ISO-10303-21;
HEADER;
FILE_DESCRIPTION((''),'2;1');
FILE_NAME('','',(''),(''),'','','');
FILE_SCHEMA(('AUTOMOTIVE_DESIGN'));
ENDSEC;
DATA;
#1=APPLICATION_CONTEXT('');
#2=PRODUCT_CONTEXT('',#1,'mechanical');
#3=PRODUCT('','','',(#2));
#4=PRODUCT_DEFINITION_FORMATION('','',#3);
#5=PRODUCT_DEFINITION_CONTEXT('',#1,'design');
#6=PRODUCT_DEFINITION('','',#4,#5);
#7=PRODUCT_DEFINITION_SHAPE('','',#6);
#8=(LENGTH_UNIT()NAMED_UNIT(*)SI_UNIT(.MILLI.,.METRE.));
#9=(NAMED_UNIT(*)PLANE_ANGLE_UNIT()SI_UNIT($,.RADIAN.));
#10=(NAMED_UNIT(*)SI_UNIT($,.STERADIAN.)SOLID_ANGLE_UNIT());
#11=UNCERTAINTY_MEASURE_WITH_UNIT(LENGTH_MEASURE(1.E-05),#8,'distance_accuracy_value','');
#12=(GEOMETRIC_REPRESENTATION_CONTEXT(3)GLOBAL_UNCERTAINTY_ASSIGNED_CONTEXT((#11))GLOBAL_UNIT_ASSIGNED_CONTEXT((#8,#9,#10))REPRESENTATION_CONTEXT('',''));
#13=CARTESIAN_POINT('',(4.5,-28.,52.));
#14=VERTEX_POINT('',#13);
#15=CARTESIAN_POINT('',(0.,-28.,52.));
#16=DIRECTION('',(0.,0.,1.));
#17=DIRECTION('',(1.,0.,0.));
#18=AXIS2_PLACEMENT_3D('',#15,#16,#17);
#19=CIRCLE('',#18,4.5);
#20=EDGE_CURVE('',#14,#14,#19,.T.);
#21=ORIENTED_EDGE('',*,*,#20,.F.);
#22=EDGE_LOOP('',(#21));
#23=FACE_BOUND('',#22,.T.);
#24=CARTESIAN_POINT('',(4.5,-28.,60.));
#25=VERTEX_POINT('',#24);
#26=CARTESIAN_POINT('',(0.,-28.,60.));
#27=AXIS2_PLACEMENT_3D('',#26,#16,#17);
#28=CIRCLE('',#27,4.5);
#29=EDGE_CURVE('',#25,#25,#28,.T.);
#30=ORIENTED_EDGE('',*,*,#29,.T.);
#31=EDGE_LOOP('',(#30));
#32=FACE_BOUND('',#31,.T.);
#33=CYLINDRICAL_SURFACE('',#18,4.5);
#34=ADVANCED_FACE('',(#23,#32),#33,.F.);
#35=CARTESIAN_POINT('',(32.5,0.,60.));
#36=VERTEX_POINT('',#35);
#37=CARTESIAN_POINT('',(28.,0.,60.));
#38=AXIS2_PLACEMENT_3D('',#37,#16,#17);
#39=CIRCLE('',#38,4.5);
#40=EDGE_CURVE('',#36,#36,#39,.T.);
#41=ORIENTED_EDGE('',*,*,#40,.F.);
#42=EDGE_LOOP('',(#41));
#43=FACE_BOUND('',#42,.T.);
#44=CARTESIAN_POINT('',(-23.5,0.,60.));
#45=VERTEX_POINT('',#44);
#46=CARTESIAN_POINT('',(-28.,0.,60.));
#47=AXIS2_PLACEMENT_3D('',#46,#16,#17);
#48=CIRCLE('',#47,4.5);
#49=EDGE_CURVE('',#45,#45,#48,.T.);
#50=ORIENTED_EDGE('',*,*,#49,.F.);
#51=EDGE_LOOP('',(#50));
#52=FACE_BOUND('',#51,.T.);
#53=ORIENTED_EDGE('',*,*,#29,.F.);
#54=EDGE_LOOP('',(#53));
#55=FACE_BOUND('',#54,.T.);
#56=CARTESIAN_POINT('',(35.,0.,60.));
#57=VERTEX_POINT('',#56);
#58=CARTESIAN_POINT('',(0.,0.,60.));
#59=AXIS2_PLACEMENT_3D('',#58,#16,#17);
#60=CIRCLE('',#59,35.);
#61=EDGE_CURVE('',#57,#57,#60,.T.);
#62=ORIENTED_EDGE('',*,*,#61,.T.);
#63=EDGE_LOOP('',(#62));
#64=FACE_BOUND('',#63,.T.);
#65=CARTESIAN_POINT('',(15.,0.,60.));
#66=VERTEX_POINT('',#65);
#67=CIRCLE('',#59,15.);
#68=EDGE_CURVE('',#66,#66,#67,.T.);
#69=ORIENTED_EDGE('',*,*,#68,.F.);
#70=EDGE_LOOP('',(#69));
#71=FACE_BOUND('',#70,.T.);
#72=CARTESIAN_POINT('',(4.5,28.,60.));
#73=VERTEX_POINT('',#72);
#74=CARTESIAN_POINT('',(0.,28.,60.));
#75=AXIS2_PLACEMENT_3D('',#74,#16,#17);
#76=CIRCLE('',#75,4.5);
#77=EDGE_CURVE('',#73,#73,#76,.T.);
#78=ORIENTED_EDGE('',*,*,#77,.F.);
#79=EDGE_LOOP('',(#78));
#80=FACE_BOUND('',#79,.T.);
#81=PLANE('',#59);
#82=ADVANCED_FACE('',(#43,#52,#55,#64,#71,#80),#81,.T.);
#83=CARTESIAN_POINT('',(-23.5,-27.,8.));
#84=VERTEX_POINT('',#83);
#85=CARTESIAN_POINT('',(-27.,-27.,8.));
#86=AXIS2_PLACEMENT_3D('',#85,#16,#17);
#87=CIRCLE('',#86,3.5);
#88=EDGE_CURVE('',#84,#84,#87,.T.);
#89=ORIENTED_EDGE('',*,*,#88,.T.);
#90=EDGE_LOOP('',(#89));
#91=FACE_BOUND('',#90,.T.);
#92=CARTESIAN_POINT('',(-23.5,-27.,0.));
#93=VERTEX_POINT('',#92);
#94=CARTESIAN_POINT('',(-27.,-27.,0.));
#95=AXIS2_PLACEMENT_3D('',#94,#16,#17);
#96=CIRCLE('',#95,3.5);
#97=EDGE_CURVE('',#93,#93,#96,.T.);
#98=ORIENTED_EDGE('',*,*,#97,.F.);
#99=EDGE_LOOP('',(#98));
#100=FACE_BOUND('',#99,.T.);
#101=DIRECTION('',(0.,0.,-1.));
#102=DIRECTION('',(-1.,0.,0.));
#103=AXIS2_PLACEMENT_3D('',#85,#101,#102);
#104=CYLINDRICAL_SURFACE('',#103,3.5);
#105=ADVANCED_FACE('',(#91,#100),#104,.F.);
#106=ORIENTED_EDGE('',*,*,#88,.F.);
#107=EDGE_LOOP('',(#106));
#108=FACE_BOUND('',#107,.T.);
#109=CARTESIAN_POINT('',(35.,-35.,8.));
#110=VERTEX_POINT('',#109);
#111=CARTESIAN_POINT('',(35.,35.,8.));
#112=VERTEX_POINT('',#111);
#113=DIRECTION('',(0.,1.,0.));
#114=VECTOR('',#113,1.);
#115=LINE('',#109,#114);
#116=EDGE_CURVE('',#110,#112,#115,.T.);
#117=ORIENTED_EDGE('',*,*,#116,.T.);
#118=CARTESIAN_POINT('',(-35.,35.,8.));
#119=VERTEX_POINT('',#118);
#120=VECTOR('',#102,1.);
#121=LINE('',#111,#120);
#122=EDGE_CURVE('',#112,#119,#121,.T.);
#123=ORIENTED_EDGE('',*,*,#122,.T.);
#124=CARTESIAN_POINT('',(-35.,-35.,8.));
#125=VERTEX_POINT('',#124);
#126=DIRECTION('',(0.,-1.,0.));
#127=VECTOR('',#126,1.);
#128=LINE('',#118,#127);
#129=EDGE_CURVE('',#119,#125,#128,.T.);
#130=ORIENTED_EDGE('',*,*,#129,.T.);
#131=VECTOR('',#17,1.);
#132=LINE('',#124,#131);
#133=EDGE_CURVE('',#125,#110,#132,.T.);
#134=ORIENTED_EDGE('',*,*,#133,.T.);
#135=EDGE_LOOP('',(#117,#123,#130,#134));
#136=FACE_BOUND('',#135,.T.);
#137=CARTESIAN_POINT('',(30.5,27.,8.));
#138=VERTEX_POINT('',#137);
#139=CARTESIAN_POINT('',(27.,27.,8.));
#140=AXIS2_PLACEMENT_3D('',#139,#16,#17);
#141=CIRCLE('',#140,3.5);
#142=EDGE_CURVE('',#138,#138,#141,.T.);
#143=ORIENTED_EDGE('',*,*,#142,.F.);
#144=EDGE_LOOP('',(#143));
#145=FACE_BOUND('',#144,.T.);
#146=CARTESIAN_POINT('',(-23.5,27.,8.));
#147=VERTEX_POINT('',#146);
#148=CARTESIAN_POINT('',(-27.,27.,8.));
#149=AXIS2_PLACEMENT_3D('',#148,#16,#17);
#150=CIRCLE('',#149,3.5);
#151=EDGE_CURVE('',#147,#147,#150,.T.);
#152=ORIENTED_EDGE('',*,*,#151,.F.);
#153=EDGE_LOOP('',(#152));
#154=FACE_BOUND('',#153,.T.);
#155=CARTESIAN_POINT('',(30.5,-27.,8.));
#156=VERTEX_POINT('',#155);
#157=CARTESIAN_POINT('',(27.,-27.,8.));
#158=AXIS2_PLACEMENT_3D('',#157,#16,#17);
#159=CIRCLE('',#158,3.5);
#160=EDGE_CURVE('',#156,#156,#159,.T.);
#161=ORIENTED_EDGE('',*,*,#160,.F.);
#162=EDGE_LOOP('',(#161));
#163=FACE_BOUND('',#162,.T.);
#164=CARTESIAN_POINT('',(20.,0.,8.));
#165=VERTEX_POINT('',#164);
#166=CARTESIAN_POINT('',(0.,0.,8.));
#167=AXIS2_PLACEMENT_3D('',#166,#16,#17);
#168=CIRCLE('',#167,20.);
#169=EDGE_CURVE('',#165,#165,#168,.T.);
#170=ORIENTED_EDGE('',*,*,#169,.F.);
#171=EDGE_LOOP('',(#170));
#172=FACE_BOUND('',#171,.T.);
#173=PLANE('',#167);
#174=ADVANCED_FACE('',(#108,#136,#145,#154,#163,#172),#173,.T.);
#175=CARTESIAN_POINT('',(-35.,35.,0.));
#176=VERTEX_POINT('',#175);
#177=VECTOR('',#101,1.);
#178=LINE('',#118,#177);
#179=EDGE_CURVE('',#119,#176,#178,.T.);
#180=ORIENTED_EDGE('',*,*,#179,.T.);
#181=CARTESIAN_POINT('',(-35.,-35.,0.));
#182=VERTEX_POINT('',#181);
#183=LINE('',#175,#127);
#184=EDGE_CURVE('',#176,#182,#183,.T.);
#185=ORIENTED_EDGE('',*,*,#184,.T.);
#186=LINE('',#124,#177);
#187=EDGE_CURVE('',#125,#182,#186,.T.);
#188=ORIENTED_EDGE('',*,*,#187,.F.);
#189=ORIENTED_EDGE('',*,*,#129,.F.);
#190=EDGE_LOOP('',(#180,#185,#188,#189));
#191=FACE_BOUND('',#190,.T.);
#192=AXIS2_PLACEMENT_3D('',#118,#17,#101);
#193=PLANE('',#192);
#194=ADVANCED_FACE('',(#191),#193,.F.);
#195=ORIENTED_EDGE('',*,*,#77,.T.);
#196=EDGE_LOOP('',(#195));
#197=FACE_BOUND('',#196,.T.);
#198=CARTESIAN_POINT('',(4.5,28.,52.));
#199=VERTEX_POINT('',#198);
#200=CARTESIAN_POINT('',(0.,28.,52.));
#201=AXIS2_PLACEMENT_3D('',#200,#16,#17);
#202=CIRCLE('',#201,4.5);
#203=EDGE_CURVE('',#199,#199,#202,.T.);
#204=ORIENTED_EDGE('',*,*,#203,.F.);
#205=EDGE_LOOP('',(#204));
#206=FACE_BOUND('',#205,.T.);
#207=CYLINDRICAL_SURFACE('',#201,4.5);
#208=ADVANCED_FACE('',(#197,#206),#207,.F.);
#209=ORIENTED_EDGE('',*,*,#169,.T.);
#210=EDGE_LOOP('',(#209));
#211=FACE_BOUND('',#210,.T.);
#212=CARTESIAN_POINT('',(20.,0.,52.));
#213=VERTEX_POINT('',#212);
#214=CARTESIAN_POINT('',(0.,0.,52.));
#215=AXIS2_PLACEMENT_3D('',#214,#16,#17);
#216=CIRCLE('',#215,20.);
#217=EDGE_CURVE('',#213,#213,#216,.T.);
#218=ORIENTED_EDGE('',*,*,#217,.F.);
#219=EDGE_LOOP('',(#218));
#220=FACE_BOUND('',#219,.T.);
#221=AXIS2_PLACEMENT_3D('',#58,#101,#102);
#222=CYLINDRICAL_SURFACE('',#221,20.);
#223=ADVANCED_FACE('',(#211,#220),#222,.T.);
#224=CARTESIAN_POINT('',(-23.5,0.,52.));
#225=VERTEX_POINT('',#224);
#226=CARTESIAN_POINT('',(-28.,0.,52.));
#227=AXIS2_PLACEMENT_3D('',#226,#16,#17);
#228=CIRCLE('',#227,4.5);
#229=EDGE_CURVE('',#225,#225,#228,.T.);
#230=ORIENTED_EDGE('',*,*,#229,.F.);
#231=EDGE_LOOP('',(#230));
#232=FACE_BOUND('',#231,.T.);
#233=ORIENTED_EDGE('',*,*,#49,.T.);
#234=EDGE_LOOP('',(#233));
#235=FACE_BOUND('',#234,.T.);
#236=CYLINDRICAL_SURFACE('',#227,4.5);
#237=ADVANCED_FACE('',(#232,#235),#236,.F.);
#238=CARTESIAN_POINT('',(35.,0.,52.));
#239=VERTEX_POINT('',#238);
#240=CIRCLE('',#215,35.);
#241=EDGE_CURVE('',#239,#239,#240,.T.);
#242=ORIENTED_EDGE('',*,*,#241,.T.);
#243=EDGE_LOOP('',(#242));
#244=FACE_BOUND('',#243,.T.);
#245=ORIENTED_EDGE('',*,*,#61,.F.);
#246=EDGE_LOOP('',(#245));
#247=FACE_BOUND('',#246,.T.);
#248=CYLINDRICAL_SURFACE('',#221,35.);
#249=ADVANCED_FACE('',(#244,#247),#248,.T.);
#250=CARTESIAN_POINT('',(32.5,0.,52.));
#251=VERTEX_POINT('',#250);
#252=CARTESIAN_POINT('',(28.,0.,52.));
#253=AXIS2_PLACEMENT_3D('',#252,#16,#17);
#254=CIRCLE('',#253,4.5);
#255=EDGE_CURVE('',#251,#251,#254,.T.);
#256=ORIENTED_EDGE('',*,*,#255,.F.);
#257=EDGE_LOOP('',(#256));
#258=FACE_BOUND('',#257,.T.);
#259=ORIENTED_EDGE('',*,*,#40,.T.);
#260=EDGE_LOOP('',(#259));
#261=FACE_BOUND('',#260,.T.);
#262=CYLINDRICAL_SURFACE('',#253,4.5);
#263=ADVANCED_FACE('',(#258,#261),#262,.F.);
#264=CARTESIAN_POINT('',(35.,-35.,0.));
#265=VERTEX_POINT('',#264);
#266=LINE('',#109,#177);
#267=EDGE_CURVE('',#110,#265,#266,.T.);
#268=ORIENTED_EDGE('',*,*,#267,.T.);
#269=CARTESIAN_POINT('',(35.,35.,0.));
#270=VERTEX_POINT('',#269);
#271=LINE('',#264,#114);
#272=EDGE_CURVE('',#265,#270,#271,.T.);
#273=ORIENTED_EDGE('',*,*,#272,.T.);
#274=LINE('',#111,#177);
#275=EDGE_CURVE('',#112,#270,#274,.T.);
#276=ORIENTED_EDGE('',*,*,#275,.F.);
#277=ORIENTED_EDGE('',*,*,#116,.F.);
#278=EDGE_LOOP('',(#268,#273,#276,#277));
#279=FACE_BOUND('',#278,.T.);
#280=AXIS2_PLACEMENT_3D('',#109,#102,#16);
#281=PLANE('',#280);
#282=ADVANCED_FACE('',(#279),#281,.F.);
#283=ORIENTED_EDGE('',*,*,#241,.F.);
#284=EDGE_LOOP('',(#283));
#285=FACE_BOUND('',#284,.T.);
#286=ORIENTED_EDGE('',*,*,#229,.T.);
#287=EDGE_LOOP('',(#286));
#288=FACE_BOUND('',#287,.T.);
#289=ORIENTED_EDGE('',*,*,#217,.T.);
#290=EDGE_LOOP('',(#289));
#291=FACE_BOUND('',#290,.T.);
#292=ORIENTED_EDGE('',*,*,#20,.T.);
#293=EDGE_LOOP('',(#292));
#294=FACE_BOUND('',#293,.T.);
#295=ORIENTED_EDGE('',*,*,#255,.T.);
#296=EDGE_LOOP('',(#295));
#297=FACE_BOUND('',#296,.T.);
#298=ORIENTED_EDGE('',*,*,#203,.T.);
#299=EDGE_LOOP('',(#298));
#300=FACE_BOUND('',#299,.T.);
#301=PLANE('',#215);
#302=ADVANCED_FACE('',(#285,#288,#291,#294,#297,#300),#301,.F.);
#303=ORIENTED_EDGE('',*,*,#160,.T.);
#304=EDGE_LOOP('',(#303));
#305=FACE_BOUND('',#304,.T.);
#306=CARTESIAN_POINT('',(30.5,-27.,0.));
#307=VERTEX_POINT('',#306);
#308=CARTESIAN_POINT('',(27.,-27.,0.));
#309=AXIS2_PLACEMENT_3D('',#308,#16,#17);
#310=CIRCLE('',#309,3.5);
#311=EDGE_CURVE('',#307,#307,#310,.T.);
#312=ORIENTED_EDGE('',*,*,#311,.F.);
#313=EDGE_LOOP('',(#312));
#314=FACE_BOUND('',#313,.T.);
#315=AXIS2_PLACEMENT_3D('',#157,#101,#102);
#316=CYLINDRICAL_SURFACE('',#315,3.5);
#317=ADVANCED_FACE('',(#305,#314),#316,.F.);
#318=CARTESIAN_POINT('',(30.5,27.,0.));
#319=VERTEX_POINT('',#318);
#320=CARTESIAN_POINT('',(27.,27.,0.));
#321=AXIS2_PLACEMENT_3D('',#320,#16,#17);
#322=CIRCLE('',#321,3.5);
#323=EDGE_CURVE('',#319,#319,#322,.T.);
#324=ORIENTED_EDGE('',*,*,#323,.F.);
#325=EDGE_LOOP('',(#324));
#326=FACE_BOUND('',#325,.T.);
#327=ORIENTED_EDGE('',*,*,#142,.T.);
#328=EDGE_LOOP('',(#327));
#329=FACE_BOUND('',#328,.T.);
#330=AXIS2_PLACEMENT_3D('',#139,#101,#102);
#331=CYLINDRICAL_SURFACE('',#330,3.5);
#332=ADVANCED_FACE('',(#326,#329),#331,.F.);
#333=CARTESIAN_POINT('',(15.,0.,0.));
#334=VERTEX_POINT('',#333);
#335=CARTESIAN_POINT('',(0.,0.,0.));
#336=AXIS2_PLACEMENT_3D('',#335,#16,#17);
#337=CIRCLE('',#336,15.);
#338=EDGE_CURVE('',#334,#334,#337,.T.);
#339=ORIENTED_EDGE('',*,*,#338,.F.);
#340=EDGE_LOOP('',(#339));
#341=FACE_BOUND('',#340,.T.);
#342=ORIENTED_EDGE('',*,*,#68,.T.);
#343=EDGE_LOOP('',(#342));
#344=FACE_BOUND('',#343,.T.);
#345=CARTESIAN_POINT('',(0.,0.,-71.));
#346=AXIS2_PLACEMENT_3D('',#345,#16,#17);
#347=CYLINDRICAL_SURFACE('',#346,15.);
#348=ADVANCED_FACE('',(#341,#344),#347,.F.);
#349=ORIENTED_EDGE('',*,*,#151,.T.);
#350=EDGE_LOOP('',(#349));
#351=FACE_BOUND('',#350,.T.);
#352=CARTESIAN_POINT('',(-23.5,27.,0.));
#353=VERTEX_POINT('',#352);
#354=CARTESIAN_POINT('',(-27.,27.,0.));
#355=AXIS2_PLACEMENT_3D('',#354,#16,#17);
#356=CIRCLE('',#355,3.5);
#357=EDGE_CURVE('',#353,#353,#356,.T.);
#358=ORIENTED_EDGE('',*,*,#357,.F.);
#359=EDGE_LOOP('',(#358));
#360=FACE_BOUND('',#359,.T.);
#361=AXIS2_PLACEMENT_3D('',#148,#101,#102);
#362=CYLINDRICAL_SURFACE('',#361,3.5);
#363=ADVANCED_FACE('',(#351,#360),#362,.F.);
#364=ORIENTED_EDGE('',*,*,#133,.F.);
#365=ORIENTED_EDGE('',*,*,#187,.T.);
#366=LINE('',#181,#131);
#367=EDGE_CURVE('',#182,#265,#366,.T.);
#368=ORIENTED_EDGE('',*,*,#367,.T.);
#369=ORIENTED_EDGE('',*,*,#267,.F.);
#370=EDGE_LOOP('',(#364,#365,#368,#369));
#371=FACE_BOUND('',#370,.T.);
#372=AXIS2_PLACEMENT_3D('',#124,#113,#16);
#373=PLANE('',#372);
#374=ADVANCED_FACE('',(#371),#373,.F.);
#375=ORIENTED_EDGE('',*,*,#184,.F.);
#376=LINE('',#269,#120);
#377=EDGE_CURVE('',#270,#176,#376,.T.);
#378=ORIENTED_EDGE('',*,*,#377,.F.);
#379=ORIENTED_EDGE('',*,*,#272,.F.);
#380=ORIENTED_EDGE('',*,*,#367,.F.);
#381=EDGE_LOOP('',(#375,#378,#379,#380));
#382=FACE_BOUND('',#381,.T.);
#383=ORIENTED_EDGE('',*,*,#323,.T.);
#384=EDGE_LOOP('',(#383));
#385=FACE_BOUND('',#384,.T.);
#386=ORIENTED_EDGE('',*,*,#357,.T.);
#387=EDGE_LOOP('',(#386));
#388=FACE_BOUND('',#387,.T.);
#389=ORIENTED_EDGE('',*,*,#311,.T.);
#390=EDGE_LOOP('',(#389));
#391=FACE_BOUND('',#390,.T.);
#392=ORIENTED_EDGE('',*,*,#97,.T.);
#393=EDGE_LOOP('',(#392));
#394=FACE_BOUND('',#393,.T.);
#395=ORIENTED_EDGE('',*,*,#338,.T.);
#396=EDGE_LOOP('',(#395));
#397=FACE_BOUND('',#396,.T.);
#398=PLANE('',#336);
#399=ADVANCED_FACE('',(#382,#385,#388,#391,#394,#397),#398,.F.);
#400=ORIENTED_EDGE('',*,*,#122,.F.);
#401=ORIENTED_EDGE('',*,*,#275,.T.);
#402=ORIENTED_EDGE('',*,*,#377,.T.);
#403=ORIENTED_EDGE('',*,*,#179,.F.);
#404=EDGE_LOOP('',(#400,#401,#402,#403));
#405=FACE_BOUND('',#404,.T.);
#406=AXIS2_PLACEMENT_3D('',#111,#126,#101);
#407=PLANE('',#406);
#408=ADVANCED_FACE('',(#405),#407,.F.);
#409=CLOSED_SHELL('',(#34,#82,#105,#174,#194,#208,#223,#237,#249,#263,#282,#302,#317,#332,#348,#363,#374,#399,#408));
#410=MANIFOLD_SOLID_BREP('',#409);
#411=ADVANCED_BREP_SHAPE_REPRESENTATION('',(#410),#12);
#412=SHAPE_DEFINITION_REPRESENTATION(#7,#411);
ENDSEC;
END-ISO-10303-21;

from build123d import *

# Parameters (mm, degrees)
SKETCH_1_R          = 20
EXTRUDE_1_DEPTH     = 60
SKETCH_2_W          = 70
SKETCH_2_H          = 70
EXTRUDE_2_DEPTH     = 8
SKETCH_3_R          = 35
EXTRUDE_3_DEPTH     = 8
SKETCH_4_R          = 15
CUT_EXTRUDE_1_DEPTH = 71
SKETCH_5_R          = 3.5
CUT_EXTRUDE_2_DEPTH = 8
SKETCH_6_R          = 4.5
CUT_EXTRUDE_3_DEPTH = 8


with BuildPart() as part:
    # 草图1 → 凸台-拉伸1 (new body)
    with BuildSketch(Plane.XY):
        Circle(SKETCH_1_R)
    extrude(amount=EXTRUDE_1_DEPTH)

    # 草图2 → 凸台-拉伸2 (add)
    with BuildSketch(Plane.XY):
        Rectangle(SKETCH_2_W, SKETCH_2_H)
    extrude(amount=EXTRUDE_2_DEPTH)

    # 草图3 → 凸台-拉伸3 (add)
    with BuildSketch(Plane.XY.offset(52)):
        Circle(SKETCH_3_R)
    extrude(amount=EXTRUDE_3_DEPTH)

    # 草图4 → 切除-拉伸1 (cut, symmetric)
    with BuildSketch(Plane.XY):
        Circle(SKETCH_4_R)
    extrude(amount=CUT_EXTRUDE_1_DEPTH, both=True, mode=Mode.SUBTRACT)

    # 草图5 → 切除-拉伸2 (cut)
    with BuildSketch(Plane.XY):
        with Locations((27, 27)):
            Circle(SKETCH_5_R)
        with Locations((-27, 27)):
            Circle(SKETCH_5_R)
        with Locations((-27, -27)):
            Circle(SKETCH_5_R)
        with Locations((27, -27)):
            Circle(SKETCH_5_R)
    extrude(amount=CUT_EXTRUDE_2_DEPTH, mode=Mode.SUBTRACT)

    # 草图6 → 切除-拉伸3 (cut)
    with BuildSketch(Plane.XY.offset(60)):
        with Locations((28, 0)):
            Circle(SKETCH_6_R)
        with Locations((0, 28)):
            Circle(SKETCH_6_R)
        with Locations((-28, 0)):
            Circle(SKETCH_6_R)
        with Locations((0, -28)):
            Circle(SKETCH_6_R)
    extrude(amount=-CUT_EXTRUDE_3_DEPTH, mode=Mode.SUBTRACT)


solid = part.part
